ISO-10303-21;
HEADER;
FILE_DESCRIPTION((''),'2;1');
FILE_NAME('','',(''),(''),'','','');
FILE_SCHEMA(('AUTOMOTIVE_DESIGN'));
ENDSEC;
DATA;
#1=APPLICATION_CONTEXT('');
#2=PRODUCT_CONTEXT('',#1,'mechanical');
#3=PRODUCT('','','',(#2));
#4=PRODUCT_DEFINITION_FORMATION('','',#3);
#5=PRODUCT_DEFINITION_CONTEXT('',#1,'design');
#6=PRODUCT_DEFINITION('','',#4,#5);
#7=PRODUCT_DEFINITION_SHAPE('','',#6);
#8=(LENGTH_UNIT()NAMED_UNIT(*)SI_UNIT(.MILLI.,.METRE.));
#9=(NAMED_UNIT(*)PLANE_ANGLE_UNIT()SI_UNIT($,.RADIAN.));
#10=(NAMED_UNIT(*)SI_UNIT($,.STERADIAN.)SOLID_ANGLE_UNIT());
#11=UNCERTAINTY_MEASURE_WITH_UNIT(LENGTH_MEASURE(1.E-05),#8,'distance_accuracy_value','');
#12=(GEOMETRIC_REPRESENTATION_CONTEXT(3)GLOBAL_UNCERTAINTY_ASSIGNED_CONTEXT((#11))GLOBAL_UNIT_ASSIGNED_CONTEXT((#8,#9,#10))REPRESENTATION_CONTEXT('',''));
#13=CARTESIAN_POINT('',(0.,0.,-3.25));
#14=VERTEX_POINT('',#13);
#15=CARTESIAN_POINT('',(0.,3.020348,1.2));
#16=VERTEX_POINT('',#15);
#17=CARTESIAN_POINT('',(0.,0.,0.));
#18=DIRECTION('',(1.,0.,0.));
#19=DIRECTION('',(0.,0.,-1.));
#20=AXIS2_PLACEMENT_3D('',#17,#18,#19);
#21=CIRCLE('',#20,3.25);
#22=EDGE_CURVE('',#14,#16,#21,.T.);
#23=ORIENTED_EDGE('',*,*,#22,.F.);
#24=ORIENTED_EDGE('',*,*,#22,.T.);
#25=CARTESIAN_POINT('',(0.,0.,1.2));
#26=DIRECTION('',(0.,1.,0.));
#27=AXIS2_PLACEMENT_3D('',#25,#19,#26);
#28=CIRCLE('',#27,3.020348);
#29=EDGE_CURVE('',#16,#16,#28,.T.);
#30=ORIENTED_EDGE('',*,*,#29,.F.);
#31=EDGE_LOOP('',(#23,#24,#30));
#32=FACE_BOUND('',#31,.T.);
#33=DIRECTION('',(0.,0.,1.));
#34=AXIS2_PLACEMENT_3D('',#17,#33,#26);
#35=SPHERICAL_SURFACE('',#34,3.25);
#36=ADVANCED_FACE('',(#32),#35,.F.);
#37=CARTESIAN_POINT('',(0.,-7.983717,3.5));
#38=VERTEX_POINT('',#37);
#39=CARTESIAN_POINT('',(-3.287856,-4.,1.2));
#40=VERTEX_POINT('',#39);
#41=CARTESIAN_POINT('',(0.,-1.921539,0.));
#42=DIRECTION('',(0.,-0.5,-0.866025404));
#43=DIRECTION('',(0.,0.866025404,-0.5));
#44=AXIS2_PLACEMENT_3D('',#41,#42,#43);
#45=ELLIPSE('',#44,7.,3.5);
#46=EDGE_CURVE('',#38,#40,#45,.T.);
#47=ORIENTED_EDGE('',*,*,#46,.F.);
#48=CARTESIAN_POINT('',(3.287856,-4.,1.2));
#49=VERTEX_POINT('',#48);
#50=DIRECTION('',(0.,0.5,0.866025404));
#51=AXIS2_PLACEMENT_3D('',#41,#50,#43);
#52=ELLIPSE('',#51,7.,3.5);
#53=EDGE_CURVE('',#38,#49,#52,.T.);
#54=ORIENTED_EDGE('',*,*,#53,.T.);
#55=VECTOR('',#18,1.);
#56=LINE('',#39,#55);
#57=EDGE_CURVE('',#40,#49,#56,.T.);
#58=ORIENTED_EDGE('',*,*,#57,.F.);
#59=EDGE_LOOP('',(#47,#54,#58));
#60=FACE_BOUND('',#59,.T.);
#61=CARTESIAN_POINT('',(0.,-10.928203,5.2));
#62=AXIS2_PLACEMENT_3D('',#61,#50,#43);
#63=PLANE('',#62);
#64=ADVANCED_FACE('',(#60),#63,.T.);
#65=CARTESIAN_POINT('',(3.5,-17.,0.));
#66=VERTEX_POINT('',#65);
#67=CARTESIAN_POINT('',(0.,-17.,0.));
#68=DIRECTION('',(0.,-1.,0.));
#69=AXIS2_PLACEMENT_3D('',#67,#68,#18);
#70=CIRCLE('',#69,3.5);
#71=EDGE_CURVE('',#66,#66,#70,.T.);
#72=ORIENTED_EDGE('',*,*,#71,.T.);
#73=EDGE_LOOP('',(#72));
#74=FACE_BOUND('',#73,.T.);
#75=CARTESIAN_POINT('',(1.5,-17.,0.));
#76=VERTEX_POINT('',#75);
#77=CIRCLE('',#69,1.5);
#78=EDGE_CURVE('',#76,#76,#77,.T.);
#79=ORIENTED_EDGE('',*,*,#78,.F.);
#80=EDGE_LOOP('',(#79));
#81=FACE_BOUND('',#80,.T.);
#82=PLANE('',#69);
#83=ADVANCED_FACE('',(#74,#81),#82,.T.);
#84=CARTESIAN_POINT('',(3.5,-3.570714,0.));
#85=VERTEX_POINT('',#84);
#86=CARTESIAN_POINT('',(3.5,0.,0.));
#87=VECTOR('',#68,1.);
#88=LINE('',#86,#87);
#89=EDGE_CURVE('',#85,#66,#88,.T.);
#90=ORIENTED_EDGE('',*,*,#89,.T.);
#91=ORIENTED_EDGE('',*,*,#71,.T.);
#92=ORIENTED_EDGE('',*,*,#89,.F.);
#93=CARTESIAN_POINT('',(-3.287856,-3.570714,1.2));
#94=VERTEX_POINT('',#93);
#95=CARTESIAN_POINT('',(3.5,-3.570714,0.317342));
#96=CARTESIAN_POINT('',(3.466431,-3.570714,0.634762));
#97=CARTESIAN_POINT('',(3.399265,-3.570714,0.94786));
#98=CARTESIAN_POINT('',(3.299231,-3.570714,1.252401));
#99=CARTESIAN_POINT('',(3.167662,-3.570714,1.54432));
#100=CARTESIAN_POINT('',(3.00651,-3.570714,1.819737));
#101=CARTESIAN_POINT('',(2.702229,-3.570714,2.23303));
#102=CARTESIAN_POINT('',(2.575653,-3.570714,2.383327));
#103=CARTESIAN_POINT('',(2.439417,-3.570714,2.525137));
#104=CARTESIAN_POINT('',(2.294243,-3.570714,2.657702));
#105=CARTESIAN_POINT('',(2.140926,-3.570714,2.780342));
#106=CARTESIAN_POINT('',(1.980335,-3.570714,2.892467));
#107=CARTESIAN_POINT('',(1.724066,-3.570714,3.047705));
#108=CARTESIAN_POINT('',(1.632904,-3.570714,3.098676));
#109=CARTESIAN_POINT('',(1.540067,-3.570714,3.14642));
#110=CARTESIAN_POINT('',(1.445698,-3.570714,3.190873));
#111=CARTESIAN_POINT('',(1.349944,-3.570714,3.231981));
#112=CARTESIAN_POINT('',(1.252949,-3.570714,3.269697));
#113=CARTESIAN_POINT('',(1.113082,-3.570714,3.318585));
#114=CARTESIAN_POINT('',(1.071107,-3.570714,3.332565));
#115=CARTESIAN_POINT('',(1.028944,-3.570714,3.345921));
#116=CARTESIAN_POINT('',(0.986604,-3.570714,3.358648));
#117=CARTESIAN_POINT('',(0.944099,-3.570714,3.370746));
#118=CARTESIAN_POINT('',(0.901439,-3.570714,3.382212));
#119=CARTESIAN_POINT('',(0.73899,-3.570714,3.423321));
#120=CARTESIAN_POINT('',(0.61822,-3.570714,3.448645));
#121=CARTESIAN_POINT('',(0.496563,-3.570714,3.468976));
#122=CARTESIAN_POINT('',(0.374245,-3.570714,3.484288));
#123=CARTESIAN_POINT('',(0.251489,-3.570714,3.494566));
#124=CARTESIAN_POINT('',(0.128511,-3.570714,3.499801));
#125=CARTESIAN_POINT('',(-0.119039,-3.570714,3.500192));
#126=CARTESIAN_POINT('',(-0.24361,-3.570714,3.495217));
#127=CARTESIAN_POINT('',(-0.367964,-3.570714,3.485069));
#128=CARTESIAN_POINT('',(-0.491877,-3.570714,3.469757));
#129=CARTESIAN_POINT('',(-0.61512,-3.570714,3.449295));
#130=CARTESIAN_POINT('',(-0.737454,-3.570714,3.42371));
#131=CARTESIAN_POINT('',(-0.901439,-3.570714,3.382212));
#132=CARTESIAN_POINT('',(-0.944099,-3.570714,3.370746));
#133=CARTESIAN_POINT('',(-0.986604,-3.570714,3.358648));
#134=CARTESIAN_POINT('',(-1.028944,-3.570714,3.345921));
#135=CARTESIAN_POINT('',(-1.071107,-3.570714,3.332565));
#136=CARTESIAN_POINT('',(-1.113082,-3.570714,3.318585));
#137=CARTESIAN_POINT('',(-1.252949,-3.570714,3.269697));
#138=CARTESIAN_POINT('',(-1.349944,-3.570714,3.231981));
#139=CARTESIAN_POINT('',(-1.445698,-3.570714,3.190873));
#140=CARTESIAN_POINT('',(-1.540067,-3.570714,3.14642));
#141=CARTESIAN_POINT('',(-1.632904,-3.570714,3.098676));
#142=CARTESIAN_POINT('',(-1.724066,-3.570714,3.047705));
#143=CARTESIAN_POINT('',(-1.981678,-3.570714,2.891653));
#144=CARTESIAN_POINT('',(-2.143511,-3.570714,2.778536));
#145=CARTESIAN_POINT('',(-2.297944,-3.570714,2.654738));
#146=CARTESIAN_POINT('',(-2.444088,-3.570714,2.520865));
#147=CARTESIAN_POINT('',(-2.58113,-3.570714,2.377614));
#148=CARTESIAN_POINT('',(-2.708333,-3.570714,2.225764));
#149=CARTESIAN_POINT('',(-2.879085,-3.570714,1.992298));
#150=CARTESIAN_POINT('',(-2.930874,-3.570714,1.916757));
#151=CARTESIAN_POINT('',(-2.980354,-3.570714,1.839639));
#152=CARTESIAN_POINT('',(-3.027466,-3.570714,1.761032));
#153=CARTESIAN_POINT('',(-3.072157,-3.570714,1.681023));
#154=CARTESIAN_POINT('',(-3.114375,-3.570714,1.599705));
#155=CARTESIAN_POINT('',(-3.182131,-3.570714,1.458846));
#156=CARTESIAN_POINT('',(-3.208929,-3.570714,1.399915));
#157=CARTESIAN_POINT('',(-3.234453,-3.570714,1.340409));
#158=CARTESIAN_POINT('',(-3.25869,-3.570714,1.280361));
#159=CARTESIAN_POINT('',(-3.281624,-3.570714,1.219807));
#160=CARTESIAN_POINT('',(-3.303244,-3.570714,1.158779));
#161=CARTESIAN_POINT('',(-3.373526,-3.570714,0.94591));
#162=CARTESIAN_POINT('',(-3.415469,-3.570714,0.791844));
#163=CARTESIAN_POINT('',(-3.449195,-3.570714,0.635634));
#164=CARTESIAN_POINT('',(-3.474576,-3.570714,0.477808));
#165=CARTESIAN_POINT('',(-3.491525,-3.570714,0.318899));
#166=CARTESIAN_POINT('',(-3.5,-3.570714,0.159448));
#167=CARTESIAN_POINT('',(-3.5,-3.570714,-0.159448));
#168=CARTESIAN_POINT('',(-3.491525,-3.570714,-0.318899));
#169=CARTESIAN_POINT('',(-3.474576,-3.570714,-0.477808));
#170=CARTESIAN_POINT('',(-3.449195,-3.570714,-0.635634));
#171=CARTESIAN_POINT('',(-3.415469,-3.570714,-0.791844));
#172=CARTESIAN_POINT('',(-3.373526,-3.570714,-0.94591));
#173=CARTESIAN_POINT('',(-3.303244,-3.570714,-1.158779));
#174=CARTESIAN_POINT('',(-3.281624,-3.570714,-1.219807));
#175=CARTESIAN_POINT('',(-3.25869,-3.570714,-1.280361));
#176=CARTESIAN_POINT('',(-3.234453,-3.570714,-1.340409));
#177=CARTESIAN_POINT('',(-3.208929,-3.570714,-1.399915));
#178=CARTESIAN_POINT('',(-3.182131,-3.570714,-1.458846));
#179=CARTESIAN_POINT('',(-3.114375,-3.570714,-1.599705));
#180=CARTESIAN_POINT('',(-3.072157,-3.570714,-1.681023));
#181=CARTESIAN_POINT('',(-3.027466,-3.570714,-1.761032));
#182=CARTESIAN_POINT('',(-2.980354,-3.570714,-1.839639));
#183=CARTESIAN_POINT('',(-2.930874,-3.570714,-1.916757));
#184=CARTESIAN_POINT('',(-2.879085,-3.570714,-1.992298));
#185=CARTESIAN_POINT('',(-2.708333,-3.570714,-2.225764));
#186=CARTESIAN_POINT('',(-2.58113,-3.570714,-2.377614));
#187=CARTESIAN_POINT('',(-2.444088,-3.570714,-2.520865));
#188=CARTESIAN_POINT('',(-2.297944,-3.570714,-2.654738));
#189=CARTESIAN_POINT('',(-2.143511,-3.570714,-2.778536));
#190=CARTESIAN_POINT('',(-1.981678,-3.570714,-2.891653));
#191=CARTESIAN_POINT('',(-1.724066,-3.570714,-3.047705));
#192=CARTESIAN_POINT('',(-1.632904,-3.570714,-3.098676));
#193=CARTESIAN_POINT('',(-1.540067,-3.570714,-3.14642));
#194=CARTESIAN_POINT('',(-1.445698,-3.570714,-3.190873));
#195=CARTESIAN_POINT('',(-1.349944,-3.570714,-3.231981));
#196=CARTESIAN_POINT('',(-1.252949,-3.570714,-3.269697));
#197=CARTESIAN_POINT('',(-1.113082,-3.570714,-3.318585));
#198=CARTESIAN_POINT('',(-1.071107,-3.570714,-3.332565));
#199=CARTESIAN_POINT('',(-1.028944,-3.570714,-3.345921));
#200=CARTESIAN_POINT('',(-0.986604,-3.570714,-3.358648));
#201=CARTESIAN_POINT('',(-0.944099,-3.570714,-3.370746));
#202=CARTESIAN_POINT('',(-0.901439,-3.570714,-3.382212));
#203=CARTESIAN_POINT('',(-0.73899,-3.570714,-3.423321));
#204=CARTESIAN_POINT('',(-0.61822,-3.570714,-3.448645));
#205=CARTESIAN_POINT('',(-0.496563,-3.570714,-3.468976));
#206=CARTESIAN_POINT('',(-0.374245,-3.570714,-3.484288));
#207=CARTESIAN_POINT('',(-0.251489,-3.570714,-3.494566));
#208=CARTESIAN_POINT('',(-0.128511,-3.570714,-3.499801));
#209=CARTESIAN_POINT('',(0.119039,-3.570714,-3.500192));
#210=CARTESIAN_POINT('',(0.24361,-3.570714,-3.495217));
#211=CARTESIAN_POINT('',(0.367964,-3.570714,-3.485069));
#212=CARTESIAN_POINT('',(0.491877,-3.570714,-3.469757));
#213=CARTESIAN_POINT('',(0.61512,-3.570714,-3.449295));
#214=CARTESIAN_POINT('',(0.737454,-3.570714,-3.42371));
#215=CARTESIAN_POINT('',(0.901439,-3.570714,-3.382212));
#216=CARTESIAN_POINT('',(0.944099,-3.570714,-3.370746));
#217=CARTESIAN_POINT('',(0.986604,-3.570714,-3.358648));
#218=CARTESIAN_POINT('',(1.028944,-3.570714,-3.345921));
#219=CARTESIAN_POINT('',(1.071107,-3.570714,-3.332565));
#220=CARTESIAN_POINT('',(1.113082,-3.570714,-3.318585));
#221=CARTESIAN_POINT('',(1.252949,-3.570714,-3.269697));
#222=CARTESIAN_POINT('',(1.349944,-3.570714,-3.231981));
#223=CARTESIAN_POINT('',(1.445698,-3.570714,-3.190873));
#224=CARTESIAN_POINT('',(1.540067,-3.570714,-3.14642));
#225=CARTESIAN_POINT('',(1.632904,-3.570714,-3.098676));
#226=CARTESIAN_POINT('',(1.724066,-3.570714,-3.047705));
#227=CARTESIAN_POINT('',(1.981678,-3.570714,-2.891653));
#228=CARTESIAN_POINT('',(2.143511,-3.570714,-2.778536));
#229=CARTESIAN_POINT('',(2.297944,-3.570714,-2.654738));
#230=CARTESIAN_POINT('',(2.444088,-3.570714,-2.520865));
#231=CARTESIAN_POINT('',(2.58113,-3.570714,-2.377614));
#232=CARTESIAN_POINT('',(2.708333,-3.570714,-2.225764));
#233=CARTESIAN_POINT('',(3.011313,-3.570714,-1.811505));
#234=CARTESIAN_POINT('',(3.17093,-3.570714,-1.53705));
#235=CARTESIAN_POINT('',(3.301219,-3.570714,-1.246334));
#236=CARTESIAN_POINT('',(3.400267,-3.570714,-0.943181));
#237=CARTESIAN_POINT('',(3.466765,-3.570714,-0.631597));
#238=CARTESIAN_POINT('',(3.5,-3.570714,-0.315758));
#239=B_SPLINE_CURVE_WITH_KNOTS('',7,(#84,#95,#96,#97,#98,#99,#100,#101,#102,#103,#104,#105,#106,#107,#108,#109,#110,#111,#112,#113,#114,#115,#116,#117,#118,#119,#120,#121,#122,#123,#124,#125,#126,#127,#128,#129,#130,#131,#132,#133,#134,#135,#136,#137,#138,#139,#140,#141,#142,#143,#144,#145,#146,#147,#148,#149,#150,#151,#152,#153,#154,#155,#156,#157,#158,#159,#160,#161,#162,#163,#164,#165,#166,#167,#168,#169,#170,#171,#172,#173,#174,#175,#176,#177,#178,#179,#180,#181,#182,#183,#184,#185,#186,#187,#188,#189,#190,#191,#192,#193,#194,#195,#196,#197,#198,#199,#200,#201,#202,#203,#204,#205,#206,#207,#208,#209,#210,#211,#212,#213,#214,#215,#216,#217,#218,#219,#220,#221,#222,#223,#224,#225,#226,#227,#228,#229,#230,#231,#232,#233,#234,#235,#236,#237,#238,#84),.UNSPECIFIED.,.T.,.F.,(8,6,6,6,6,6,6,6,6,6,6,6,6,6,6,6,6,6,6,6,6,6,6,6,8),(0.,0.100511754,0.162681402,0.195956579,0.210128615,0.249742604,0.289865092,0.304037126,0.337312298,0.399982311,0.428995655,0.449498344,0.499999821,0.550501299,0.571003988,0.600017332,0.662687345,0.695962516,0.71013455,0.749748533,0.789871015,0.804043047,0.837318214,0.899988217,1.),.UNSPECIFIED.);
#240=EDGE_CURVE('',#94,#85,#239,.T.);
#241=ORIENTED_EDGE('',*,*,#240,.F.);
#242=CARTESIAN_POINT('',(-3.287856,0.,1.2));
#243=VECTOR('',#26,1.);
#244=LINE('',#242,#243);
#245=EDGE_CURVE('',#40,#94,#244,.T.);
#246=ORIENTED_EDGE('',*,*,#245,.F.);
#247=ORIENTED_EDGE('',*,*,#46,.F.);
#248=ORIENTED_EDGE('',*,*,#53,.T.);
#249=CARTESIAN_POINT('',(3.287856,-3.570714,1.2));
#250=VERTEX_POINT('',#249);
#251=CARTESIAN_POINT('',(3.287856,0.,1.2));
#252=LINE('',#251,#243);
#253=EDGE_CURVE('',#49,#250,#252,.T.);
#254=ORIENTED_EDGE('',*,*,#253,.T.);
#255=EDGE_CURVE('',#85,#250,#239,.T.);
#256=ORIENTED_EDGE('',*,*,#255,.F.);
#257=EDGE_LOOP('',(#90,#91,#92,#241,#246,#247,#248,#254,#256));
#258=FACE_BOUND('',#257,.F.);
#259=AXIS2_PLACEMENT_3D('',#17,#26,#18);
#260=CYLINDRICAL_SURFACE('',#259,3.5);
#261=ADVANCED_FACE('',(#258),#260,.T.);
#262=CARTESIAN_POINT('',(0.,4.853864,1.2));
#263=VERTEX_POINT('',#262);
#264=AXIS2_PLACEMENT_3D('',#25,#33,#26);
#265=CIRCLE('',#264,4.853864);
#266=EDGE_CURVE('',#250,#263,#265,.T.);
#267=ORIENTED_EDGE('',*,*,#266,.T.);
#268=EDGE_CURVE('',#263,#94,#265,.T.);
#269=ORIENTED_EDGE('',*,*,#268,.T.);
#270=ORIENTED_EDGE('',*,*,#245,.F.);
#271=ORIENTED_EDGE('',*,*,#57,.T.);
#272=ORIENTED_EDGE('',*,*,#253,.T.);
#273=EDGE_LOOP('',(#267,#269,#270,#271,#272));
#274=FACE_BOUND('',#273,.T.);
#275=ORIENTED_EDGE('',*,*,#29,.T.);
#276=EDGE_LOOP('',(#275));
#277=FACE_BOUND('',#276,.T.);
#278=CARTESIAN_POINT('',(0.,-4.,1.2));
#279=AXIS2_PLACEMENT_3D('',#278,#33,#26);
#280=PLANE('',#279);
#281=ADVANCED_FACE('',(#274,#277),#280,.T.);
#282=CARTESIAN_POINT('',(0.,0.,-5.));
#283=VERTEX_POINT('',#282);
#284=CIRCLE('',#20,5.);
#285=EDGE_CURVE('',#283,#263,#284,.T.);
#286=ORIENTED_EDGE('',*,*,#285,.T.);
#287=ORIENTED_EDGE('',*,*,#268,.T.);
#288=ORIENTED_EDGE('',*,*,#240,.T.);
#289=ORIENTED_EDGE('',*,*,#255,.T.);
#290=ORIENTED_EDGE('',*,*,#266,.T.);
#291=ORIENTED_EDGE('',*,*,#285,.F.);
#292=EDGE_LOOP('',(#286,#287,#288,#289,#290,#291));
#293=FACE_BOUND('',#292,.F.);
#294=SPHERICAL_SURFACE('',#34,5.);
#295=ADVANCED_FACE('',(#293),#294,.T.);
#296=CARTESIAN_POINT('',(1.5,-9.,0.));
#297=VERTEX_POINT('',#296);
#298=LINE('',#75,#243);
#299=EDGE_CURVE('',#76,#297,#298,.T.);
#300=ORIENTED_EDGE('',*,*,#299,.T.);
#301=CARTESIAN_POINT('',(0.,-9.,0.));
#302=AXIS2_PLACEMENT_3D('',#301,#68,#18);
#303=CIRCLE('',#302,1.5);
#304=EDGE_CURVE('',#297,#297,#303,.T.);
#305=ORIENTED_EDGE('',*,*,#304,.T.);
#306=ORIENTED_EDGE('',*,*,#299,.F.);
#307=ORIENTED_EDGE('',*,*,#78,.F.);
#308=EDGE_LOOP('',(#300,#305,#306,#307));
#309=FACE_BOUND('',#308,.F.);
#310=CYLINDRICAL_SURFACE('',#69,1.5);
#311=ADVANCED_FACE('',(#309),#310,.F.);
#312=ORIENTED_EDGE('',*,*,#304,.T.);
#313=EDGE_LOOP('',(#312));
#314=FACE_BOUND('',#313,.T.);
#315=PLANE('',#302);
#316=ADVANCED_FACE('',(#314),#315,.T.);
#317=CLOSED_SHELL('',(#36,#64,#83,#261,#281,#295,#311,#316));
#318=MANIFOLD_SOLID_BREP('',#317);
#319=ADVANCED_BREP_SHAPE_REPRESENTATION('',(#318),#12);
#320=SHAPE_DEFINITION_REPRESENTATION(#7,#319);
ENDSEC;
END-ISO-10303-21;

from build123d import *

# Parameters (mm, degrees)
F2_R          = 3.5
F3_DEPTH      = 17
F7_DEPTH      = 6
F7_DEPTH_BACK = 6
F8_R          = 1.5
F9_DEPTH      = 8


with BuildPart() as f1:
    # F0 (on Right) → F1 (revolve)
    with BuildSketch(Plane.YZ):
        with BuildLine():
            Line((0, 5), (0, -5))
            ThreePointArc((0, -5), (5, 0), (0, 5))
        make_face()
    revolve(axis=Axis((0, 0, 0), (0, 0, -1)))

    # F2 (on Front) → F3 (join)
    with BuildSketch(Plane.XZ):
        Circle(F2_R)
    extrude(amount=F3_DEPTH)

    # F4 (on Right) → F5 (revolve, cut)
    with BuildSketch(Plane.YZ):
        with BuildLine():
            Line((0, 3.25), (0, -3.25))
            ThreePointArc((0, -3.25), (3.25, 0), (0, 3.25))
        make_face()
    revolve(axis=Axis((0, 0, 0), (0, 0, -1)), mode=Mode.SUBTRACT)

    # F6 (on Right) → F7 (cut, two sides)
    with BuildSketch(Plane.YZ) as f7_sk:
        Polygon((-4, 1.2), (5.5, 1.2), (5.5, 5.2), (-10.9282032303, 5.2), align=None)
    extrude(amount=-F7_DEPTH, mode=Mode.SUBTRACT)
    extrude(f7_sk.sketch, amount=F7_DEPTH_BACK, mode=Mode.SUBTRACT)

    # F8 (on face) → F9 (cut)
    with BuildSketch(Plane.XZ.offset(17)):
        Circle(F8_R)
    extrude(amount=-F9_DEPTH, mode=Mode.SUBTRACT)


solid = f1.part
